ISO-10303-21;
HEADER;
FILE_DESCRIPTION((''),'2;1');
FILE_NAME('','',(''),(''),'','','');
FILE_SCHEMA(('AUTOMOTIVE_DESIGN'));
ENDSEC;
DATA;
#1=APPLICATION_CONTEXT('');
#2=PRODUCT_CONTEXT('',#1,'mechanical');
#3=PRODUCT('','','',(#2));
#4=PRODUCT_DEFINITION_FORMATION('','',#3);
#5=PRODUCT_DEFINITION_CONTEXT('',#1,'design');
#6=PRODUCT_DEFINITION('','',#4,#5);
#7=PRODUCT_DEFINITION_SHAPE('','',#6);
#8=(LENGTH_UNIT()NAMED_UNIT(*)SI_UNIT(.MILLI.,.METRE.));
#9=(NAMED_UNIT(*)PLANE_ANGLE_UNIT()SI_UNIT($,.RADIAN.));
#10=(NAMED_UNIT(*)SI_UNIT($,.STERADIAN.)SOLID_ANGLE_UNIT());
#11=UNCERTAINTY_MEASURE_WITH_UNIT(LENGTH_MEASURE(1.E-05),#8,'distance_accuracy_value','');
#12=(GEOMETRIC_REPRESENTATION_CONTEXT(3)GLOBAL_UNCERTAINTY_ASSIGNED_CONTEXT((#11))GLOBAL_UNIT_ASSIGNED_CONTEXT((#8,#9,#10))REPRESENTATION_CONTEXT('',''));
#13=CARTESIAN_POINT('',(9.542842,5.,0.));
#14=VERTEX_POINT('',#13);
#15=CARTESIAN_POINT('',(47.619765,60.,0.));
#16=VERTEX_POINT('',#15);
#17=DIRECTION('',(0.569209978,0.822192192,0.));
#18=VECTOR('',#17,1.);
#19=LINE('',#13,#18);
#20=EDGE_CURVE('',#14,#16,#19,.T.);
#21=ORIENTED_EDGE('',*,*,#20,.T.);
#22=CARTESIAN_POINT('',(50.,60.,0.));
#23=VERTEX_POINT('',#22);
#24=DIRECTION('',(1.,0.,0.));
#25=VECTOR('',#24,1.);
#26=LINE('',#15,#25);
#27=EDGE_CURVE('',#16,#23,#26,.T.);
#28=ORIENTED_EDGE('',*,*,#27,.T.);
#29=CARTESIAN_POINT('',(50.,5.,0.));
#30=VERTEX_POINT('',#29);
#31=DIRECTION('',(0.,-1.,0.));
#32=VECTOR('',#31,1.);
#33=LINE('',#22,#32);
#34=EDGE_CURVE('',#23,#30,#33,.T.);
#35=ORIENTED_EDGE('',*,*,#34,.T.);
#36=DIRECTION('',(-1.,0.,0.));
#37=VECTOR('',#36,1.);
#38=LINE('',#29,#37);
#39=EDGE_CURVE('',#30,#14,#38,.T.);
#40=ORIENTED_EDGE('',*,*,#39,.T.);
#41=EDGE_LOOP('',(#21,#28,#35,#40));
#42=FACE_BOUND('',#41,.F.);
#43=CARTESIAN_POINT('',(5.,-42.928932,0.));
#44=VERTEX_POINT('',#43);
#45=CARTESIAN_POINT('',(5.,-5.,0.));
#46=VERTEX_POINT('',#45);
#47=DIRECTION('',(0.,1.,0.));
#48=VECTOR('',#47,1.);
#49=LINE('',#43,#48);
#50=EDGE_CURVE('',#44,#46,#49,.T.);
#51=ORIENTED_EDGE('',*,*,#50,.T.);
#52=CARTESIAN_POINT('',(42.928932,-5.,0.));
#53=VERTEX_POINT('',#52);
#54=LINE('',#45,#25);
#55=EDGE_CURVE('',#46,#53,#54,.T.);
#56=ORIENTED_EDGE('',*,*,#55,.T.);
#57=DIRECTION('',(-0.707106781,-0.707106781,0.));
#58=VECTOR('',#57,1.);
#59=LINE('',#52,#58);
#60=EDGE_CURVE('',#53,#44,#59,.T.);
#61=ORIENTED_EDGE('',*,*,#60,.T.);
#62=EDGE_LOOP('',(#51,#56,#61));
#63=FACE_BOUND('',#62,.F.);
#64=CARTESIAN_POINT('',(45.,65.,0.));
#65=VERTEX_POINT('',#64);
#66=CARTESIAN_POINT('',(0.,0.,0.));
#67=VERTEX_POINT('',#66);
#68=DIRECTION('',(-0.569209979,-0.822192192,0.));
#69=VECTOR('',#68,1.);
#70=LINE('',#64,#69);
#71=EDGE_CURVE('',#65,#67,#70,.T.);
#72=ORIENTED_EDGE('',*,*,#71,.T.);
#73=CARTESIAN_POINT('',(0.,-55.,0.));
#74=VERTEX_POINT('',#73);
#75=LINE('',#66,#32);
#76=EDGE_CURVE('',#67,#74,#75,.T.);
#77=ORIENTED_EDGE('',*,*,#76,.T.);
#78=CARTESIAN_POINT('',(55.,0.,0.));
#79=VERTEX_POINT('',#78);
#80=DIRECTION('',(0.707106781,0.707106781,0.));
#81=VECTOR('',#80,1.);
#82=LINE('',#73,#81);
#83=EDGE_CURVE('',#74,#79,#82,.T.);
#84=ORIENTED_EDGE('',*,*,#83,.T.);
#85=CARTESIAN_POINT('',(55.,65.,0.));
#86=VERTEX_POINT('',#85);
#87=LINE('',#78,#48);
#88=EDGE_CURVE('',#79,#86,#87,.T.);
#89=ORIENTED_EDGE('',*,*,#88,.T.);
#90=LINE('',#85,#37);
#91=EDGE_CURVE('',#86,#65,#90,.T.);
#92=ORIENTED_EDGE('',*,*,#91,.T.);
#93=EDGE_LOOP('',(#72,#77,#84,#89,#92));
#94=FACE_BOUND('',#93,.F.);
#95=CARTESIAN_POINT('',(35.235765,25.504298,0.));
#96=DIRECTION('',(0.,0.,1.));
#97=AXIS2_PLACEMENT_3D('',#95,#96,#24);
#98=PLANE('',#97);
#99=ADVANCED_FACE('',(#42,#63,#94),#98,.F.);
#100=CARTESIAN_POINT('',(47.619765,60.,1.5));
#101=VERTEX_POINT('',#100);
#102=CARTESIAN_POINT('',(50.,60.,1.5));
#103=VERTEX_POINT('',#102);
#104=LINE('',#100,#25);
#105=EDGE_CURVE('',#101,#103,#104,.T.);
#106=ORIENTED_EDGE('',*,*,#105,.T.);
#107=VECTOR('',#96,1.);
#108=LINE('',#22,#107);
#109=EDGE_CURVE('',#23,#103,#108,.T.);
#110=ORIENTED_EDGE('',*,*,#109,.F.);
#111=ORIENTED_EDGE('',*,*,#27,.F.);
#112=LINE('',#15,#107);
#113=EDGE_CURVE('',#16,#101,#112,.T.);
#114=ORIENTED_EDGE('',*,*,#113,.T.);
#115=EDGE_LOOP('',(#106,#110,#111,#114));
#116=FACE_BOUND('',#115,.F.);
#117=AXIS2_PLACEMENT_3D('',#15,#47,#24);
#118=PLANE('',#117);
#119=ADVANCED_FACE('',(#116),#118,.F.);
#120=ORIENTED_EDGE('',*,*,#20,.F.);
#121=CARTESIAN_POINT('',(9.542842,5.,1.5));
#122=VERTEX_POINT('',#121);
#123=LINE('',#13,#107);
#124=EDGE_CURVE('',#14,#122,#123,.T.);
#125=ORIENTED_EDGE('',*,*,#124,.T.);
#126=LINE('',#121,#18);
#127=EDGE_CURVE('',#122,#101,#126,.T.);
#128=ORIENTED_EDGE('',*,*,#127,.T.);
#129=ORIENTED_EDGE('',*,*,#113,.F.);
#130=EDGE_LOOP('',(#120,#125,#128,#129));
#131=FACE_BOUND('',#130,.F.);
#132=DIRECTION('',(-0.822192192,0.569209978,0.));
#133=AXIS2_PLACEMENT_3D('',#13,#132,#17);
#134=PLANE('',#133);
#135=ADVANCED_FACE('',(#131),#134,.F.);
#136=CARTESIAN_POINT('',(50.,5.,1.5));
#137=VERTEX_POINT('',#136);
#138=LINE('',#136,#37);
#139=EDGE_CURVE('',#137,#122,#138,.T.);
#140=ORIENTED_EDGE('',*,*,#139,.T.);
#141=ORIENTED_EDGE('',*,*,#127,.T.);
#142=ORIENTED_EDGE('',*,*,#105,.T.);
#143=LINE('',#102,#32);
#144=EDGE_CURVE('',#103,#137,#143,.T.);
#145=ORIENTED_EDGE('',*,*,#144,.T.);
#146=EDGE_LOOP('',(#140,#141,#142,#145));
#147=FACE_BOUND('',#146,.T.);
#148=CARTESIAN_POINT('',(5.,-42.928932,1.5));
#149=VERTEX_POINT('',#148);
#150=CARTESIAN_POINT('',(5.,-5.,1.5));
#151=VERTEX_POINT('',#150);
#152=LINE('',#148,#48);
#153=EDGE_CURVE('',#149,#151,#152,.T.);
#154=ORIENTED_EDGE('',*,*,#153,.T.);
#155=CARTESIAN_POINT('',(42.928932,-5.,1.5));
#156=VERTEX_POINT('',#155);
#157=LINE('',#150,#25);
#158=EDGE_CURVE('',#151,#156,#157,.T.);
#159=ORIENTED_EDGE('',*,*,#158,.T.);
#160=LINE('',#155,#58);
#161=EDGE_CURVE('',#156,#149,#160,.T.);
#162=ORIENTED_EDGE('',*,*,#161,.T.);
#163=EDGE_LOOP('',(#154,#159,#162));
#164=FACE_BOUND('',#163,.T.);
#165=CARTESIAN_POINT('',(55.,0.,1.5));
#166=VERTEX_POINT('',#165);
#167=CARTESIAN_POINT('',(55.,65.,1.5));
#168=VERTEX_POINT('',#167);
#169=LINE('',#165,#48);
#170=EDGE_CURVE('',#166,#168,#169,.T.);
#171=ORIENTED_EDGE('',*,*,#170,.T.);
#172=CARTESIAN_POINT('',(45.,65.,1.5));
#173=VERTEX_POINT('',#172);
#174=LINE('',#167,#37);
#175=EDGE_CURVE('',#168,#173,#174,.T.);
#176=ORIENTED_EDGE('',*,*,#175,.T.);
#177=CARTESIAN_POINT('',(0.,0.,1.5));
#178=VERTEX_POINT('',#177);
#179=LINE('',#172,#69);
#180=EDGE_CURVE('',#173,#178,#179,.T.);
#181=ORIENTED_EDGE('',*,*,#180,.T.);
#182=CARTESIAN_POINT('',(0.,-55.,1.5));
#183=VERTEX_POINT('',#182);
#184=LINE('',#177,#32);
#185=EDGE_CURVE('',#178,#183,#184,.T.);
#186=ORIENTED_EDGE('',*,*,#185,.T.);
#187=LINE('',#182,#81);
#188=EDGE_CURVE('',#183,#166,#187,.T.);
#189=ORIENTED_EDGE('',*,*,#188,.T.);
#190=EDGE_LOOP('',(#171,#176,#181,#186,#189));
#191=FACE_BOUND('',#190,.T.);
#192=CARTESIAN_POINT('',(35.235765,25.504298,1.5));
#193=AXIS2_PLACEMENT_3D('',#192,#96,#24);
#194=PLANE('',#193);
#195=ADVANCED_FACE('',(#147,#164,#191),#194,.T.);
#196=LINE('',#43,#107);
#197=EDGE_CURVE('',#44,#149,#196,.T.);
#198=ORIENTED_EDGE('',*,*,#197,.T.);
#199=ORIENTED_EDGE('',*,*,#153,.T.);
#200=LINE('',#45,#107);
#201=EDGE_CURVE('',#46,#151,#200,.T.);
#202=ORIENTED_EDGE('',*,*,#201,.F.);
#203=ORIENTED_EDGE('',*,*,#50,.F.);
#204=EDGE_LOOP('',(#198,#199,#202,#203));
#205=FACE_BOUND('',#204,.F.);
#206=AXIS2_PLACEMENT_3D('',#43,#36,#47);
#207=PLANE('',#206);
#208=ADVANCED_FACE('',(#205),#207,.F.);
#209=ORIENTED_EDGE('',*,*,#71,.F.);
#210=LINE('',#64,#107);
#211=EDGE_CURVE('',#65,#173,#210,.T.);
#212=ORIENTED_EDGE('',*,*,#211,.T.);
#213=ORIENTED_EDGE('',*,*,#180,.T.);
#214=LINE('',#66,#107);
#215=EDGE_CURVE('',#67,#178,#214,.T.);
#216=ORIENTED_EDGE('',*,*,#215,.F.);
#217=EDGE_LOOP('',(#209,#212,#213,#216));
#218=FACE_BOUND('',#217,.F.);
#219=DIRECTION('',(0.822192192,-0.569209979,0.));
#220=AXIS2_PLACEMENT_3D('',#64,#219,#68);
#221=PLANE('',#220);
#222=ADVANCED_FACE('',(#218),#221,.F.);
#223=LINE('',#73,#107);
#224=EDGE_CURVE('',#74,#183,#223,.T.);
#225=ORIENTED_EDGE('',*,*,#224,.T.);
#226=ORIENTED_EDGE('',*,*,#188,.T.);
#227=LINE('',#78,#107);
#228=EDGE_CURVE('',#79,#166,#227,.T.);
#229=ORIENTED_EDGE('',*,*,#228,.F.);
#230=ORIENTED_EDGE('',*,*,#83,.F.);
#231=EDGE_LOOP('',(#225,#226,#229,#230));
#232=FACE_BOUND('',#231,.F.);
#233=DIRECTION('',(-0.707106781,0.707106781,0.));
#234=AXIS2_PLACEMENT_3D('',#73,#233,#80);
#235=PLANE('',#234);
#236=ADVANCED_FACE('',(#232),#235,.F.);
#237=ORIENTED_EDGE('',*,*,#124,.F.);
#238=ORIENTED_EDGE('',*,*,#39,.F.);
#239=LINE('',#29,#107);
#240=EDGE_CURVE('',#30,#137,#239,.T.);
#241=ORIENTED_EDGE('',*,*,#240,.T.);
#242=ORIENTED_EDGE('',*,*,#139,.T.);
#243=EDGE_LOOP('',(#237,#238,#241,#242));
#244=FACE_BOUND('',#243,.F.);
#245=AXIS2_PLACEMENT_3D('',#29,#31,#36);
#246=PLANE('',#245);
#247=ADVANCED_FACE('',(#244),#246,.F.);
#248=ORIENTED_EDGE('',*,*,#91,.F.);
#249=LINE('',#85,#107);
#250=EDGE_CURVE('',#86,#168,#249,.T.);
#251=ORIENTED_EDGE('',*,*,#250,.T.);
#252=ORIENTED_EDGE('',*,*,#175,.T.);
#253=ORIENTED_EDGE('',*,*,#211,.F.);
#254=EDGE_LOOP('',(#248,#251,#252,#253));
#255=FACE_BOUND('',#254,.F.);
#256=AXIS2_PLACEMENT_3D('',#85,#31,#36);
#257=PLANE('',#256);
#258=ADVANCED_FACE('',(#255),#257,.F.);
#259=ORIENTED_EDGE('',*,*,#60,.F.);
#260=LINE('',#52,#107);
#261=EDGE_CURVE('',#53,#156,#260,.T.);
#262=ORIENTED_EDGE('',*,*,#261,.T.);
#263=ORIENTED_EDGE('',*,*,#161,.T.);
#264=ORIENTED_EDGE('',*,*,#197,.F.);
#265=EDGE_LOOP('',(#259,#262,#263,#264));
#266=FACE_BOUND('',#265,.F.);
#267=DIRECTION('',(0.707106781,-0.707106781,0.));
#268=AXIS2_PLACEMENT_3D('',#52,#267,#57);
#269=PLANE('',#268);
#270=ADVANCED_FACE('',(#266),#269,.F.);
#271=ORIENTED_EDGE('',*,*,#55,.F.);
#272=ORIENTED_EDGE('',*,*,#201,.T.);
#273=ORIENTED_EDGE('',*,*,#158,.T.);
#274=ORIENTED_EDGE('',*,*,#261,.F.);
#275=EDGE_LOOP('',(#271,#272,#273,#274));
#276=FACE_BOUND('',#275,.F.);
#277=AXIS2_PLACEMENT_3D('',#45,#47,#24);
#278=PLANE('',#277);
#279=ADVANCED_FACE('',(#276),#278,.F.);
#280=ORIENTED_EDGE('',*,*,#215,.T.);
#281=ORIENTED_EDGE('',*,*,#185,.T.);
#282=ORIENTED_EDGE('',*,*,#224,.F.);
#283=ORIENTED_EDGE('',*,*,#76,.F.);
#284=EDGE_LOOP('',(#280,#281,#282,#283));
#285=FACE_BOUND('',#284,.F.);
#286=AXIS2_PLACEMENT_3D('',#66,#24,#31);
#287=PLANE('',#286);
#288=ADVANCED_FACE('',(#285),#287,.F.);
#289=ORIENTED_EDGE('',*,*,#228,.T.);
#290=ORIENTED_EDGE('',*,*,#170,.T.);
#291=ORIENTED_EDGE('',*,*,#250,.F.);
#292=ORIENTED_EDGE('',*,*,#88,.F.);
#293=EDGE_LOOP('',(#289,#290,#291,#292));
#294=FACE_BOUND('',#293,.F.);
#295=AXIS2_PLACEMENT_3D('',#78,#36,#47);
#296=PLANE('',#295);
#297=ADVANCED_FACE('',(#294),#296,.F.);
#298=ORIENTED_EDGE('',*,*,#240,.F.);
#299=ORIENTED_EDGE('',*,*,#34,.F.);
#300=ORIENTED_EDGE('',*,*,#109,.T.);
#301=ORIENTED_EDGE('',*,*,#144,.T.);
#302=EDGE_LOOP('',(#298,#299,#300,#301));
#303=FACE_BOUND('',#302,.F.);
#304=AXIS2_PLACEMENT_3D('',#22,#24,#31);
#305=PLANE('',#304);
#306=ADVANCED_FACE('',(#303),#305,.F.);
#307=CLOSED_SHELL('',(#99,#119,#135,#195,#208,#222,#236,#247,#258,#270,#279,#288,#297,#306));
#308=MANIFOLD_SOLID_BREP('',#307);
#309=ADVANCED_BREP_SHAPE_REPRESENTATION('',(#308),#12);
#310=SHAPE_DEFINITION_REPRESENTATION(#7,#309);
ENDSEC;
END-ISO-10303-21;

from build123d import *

# Parameters (mm, degrees)
F1_DEPTH = 1.5


with BuildPart() as f1:
    # F0 (on Top) → F1 (new body)
    with BuildSketch(Plane.XY):
        Polygon((45, 65), (0, 0), (55, 0), (55, 65), align=None)
        Polygon((9.542842, 5), (47.619765, 60), (50, 60), (50, 5), align=None, mode=Mode.SUBTRACT)
        Polygon((55, 0), (0, 0), (0, -55), align=None)
        Polygon((5, -42.928932), (5, -5), (42.928932, -5), align=None, mode=Mode.SUBTRACT)
    extrude(amount=F1_DEPTH)


solid = f1.part
